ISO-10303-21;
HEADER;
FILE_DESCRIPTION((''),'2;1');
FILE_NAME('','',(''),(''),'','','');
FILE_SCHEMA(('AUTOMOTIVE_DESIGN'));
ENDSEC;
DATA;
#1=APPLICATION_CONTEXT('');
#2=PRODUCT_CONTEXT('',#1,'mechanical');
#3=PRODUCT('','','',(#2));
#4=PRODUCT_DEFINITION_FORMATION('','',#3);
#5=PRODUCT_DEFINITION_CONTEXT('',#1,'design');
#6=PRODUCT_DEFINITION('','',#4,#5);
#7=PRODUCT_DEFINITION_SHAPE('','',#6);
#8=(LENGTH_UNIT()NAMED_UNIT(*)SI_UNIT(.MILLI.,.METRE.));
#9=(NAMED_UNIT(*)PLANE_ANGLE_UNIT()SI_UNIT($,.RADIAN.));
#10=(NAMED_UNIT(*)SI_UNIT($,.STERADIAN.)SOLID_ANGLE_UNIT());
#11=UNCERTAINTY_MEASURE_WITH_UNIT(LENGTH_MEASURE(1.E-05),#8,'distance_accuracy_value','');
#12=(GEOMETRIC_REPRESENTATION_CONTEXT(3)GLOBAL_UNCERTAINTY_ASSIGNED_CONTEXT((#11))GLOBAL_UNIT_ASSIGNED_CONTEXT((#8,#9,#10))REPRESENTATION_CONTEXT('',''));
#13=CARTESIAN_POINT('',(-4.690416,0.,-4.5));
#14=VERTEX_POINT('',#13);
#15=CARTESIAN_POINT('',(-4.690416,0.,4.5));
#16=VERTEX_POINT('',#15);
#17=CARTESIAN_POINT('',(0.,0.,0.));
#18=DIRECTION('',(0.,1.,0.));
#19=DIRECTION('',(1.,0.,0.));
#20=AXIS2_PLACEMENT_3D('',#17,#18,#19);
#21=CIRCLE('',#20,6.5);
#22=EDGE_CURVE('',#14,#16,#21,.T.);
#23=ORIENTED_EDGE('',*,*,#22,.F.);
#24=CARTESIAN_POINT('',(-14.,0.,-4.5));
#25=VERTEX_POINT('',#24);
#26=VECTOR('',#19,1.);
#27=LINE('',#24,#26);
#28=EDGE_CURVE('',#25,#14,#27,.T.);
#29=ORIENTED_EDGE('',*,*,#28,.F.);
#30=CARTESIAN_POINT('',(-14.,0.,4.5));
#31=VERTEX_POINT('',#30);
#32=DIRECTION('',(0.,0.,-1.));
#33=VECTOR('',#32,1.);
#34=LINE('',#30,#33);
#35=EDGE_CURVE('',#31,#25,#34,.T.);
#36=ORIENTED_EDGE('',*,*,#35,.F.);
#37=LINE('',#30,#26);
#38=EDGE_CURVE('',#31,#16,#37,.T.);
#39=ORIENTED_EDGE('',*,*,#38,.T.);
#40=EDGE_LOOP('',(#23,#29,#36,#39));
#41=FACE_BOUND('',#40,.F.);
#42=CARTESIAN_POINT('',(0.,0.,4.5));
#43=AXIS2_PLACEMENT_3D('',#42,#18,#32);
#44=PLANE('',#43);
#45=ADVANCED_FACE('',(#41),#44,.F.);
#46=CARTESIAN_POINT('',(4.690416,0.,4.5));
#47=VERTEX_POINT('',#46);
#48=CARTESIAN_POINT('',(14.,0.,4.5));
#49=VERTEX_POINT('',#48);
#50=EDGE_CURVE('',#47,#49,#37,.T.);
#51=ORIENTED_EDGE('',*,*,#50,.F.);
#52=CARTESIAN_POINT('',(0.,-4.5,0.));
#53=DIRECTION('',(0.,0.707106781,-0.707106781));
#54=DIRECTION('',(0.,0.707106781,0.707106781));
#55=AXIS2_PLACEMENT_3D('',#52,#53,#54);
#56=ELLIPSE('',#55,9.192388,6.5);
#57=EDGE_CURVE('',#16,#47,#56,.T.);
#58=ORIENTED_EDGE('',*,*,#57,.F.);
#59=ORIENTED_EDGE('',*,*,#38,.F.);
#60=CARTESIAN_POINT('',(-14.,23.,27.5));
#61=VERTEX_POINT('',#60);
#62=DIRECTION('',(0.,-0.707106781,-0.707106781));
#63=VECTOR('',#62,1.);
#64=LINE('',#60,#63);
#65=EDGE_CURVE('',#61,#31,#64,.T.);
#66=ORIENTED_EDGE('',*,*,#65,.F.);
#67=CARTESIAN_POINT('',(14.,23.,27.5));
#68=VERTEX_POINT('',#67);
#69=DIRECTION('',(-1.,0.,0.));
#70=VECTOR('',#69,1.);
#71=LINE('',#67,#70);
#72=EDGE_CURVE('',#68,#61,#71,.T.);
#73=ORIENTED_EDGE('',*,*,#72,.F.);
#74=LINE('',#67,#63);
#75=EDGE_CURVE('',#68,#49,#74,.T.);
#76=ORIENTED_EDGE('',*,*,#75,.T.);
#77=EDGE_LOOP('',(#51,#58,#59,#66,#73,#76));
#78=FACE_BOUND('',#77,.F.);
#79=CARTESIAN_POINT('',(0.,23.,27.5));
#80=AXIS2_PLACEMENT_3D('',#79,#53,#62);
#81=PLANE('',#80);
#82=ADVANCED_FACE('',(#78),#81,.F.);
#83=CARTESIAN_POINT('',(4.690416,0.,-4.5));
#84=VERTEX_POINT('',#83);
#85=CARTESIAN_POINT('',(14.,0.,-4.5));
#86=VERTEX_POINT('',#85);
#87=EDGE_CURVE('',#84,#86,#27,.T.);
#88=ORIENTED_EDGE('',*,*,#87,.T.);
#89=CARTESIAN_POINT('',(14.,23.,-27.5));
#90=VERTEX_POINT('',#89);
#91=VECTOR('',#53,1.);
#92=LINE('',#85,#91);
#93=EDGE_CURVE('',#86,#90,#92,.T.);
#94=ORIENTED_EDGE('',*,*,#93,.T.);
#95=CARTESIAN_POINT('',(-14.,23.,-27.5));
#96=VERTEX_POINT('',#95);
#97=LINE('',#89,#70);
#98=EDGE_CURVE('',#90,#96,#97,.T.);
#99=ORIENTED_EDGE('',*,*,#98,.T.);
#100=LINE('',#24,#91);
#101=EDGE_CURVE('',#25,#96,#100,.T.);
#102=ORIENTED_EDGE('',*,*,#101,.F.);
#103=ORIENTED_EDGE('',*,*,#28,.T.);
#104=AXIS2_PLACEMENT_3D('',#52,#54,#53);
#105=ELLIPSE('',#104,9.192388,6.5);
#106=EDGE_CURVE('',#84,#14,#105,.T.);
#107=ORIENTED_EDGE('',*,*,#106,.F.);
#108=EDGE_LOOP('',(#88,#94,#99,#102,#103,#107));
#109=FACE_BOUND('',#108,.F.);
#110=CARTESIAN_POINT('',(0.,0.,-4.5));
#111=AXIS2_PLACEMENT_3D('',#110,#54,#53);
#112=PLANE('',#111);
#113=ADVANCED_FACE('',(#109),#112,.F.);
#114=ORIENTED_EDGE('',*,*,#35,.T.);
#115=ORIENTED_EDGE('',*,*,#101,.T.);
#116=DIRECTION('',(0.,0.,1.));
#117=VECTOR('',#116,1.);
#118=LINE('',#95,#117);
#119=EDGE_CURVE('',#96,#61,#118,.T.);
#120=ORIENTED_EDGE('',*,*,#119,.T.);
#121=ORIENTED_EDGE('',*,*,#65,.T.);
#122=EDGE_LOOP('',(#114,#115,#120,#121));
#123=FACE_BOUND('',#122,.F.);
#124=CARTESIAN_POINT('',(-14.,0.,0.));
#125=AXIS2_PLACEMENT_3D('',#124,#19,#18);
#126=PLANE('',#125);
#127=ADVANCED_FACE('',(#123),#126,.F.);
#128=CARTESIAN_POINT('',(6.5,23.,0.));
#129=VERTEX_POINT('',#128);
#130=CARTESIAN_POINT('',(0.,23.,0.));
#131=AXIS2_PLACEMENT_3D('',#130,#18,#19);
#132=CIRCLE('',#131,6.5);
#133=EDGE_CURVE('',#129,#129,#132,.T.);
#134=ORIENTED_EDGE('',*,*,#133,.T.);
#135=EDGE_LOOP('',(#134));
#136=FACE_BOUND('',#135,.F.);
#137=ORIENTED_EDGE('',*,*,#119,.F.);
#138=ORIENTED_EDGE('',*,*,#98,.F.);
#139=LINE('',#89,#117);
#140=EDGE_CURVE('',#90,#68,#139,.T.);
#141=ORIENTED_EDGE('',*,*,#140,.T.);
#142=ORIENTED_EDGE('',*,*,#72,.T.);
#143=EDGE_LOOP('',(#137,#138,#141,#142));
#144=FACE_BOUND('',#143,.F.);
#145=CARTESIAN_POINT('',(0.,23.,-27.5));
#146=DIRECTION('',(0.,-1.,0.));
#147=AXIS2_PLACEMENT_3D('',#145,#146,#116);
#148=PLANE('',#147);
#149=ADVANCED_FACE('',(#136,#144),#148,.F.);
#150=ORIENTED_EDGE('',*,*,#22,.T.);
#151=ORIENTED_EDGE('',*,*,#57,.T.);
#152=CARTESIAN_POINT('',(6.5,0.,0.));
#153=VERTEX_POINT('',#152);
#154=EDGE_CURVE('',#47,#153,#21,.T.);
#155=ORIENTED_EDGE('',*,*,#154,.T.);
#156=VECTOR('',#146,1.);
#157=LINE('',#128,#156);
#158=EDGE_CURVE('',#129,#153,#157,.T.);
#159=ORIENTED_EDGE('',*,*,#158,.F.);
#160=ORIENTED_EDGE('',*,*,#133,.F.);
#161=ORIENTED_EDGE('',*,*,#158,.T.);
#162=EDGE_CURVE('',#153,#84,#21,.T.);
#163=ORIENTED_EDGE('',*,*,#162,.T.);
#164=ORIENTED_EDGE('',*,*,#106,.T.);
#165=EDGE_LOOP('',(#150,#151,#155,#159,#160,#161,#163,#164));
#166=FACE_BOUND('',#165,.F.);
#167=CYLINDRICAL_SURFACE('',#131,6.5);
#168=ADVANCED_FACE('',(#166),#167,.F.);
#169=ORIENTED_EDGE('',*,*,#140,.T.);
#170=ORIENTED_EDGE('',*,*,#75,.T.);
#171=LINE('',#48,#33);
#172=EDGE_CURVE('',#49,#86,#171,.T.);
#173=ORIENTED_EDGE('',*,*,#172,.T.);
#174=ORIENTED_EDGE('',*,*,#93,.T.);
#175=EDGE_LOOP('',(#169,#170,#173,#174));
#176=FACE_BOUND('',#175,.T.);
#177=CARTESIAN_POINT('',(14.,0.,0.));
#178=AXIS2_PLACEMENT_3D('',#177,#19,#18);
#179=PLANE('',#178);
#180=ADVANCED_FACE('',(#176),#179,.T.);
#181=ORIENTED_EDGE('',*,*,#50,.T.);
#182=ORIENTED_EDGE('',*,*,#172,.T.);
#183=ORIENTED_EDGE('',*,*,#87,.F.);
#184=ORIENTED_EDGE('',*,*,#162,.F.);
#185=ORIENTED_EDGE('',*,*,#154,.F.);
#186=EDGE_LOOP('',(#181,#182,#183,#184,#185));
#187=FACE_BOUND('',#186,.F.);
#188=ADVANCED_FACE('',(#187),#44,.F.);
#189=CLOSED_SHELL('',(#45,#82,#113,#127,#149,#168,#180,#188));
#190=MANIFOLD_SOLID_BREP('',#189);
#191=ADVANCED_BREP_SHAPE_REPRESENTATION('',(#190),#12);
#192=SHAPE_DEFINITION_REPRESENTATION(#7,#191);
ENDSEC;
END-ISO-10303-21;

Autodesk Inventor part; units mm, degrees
ref_plane "YZ Plane" through (0, 0, 0) normal (1, 0, 0) x (0, 1, 0)
ref_plane "XZ Plane" through (0, 0, 0) normal (0, 1, 0) x (-1, 0, 0)
ref_plane "XY Plane" through (0, 0, 0) normal (0, 0, 1) x (1, 0, 0)
sketch "Sketch1" plane through (0, 0, 0) normal (1, 0, 0) x (0, 1, 0)
  line L0 (0, 4.5) -> (0, -4.5)
  line L1 (0, -4.5) -> (23, -27.5)
  line L2 (23, -27.5) -> (23, 27.5)
  line L3 (23, 27.5) -> (0, 4.5)
  point P0 (0, 0)
  point P1 (0, 0)
  point P2 (23, 0)
  dimension "d0" = 45
  dimension "d1" = 55
  dimension "d2" = 23
extrude "Extrusion1" add sketch "Sketch1" along normal mid plane 28
sketch "Sketch2" plane through (-14, 23, 27.5) normal (0, 1, 0) x (1, 0, 0)
  circle A0 centre (14, 27.5) radius 6.5
  dimension "d5" = 13
extrude "Extrusion2" cut sketch "Sketch2" against normal through all
properties part number "buttom_camera_fix"
